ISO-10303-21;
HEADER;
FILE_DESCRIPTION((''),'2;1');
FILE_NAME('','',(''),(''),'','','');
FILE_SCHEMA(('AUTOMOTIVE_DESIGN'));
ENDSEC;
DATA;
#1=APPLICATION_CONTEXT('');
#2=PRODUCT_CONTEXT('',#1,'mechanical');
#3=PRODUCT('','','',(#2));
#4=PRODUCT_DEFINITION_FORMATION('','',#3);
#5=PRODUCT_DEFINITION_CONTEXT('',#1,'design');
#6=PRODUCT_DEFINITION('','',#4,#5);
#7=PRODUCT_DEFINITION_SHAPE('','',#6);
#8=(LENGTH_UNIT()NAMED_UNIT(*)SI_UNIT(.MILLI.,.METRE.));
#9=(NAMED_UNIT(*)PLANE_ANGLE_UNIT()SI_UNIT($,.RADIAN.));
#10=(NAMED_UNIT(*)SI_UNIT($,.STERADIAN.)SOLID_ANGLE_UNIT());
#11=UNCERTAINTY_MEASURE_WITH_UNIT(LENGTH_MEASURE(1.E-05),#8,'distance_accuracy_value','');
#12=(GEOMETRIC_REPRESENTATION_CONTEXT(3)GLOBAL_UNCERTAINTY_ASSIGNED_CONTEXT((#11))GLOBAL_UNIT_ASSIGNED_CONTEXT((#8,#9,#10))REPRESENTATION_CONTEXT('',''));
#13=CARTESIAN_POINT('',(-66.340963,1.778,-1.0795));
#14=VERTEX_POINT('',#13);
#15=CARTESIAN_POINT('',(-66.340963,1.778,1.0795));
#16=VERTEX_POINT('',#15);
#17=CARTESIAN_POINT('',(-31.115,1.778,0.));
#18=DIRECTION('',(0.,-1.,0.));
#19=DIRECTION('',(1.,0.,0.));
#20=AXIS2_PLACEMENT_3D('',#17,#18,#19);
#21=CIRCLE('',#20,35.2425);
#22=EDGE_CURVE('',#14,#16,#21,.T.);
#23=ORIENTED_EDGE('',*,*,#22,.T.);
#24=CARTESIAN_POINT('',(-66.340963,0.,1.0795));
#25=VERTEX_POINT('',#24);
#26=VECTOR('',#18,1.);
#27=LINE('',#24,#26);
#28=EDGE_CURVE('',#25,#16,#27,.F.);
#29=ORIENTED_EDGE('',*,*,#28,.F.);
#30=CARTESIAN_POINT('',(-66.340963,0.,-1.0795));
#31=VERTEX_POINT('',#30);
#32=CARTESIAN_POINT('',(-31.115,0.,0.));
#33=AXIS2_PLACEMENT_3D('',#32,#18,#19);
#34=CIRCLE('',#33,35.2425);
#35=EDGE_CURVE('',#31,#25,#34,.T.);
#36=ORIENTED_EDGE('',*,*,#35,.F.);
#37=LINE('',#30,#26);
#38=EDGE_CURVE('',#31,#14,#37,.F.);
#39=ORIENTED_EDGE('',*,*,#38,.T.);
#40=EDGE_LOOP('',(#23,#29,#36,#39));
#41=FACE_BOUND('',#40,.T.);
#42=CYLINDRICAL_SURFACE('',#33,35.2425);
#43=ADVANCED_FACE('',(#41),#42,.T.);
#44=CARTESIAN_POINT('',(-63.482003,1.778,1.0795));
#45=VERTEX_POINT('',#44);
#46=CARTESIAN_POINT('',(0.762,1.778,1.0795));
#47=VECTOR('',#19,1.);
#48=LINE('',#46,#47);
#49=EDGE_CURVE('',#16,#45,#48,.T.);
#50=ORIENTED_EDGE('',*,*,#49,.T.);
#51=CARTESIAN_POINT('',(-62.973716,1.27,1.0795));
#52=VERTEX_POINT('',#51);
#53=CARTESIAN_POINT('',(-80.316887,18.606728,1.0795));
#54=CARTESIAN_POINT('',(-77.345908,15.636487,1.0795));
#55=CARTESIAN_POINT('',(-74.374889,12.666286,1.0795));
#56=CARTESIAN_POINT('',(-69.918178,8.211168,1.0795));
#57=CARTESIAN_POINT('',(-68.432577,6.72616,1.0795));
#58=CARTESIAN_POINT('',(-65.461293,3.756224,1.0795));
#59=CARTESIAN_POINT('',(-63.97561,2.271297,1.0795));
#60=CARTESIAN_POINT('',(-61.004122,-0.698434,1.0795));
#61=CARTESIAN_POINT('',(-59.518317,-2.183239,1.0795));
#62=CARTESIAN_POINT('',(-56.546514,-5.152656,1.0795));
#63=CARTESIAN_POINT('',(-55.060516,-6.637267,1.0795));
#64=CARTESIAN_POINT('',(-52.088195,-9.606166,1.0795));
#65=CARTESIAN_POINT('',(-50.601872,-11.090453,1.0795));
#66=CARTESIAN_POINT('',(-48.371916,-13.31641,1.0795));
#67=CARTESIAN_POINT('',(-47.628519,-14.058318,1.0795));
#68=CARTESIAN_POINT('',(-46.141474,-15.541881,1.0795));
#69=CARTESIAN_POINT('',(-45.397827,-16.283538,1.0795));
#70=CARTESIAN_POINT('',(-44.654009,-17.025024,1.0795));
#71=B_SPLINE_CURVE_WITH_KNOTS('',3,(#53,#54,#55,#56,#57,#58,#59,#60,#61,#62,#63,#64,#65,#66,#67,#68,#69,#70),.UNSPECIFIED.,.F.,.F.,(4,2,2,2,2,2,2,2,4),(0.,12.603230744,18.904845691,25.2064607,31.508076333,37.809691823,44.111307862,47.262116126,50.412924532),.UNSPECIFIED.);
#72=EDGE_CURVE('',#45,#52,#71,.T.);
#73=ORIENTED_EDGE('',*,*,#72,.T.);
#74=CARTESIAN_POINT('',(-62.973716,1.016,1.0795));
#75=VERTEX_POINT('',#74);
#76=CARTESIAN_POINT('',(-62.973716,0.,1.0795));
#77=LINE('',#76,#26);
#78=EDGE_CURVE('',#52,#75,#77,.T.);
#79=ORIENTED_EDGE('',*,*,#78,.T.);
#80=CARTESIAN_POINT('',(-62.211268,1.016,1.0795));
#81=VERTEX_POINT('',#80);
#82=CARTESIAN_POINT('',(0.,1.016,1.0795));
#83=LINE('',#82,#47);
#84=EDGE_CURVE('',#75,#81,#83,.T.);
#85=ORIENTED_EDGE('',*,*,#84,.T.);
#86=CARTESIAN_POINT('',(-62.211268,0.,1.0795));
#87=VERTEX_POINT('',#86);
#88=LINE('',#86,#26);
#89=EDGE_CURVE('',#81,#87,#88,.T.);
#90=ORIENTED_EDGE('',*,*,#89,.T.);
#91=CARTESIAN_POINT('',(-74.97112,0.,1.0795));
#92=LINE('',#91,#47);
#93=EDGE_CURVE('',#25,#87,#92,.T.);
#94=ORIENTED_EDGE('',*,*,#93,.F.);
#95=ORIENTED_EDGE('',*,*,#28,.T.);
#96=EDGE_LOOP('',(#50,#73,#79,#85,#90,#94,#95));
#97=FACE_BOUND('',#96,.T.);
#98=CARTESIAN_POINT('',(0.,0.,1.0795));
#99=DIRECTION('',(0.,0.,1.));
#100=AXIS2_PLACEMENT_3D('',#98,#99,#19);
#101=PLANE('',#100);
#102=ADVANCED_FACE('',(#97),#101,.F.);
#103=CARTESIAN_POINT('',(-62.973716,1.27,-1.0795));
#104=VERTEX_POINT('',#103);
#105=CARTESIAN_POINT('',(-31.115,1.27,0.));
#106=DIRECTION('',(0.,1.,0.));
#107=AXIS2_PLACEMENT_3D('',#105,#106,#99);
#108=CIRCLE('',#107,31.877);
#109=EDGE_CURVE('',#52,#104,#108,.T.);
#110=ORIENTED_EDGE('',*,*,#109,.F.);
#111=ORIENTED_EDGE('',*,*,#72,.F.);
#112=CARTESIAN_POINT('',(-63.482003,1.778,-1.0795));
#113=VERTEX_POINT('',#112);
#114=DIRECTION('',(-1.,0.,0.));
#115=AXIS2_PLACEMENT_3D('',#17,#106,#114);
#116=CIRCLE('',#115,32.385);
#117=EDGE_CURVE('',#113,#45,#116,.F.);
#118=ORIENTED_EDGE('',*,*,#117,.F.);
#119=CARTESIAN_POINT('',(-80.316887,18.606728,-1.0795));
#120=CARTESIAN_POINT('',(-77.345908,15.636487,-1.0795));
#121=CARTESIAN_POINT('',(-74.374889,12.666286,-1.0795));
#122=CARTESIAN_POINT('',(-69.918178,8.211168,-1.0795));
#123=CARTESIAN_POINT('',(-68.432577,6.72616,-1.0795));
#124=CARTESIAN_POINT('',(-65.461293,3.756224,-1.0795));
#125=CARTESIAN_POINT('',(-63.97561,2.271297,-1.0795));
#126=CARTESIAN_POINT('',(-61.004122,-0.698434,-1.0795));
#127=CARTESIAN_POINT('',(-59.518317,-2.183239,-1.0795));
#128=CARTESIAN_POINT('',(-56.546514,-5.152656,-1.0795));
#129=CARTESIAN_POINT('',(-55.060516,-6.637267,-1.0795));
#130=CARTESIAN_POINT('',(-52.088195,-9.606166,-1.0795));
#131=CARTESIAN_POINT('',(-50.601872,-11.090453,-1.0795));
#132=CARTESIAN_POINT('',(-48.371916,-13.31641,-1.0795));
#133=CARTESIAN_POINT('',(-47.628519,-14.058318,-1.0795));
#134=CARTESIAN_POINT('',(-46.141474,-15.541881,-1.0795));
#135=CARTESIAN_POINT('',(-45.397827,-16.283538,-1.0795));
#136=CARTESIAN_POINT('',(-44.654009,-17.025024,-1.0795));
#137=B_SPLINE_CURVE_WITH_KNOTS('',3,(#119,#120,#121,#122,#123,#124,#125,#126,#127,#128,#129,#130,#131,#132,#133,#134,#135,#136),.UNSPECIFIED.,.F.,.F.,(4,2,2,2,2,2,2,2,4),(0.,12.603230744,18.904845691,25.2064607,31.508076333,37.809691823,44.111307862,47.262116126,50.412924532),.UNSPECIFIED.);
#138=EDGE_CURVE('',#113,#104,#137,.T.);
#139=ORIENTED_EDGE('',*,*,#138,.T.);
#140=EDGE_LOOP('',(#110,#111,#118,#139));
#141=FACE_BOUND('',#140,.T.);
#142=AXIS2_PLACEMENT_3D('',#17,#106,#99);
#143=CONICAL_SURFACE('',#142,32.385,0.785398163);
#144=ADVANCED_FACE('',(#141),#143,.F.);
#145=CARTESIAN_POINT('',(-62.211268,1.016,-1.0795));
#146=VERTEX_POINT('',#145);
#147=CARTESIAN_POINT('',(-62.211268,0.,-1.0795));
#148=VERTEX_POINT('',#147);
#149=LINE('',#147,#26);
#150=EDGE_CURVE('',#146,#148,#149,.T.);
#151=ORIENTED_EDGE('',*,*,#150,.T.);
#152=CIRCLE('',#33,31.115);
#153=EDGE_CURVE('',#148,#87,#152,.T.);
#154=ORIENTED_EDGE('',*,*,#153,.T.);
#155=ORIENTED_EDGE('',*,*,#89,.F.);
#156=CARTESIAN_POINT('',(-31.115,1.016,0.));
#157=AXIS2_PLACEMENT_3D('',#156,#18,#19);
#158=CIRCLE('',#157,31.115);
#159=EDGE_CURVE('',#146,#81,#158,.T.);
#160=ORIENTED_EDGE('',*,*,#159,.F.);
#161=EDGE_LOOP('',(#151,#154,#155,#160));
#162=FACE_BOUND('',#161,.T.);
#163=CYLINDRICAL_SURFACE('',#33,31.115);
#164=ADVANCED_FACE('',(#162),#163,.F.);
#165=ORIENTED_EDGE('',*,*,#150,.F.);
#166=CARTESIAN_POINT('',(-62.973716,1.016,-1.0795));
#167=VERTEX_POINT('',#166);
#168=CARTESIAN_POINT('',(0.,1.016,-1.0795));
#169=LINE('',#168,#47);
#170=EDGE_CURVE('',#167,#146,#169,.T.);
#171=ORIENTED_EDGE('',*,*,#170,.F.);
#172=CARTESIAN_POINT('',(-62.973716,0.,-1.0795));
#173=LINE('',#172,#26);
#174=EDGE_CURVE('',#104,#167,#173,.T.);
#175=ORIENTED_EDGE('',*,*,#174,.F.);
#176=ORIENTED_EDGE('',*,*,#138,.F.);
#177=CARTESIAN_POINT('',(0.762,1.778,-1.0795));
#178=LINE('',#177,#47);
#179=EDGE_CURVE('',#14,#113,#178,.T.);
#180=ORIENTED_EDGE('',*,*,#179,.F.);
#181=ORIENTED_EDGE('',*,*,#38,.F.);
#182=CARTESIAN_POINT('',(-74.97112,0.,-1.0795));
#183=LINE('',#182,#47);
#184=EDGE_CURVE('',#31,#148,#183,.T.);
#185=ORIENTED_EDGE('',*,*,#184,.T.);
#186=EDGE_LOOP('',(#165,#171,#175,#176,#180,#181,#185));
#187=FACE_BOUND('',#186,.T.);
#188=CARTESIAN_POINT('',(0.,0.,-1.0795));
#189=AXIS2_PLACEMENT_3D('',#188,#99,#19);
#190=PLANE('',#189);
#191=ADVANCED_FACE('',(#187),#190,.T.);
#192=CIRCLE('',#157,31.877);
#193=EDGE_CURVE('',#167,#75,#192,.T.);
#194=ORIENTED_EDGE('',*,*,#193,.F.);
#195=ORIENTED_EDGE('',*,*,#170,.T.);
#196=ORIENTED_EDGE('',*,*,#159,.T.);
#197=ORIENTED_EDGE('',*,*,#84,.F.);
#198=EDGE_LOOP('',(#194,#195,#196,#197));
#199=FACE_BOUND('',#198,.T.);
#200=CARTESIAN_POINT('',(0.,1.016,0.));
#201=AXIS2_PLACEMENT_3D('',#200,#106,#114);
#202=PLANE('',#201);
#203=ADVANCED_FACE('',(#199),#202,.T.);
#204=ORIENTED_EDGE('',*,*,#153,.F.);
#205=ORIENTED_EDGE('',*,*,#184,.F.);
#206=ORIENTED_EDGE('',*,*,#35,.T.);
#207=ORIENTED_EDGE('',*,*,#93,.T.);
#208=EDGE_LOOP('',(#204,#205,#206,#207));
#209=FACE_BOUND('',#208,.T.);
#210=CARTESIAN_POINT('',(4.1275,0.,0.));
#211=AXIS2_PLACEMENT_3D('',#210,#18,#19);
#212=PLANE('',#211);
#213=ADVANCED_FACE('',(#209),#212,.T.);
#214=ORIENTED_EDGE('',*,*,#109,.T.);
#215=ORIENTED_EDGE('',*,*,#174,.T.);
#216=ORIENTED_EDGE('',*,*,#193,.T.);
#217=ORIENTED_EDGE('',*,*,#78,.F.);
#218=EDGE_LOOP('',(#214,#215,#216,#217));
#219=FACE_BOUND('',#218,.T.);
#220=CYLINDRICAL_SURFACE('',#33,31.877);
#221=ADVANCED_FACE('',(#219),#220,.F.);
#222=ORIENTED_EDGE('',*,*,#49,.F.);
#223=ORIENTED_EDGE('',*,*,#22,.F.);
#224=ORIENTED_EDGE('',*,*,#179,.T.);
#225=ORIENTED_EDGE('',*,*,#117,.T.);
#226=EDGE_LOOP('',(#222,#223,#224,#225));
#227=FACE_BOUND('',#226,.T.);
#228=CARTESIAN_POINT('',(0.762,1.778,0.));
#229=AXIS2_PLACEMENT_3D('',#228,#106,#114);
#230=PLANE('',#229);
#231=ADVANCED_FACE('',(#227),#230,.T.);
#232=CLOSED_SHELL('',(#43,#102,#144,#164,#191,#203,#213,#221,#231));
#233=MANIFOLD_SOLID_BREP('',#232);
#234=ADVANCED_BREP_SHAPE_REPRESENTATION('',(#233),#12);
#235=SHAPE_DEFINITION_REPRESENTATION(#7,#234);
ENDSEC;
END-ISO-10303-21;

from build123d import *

# Parameters (mm, degrees)
INNER_CHAMFER_SIZE  = 0.508
SLIT_CUT_DEPTH      = 1.0795
SLIT_CUT_DEPTH_BACK = 1.0795
SLIT_SKETCH_W       = 25.449079392
SLIT_SKETCH_H       = 3.3923794


with BuildPart() as part:
    # Primary Sketch → Primary Revolve (revolve)
    with BuildSketch(Plane.XY):
        Polygon((4.1275, 1.778), (4.1275, 0), (0, 0), (0, 1.016), (0.762, 1.016), (0.762, 1.778), align=None)
    revolve(axis=Axis((-31.115, 0, 0), (0, 1, 0)))

    # Inner Chamfer
    inner_chamfer_edges = [part.edges().sort_by_distance(p)[0] for p in [
        (-62.992, 1.778, 0),
    ]]
    chamfer(inner_chamfer_edges, length=INNER_CHAMFER_SIZE)

    # Slit Sketch → Slit Cut (cut, two sides: drawn at the far end of the back side and taken through both)
    with BuildSketch(Plane.XY.offset(-SLIT_CUT_DEPTH_BACK)):
        with Locations((-62.246580084, 1.6961897)):
            Rectangle(SLIT_SKETCH_W, SLIT_SKETCH_H)
    extrude(amount=SLIT_CUT_DEPTH + SLIT_CUT_DEPTH_BACK, mode=Mode.SUBTRACT)


solid = part.part
